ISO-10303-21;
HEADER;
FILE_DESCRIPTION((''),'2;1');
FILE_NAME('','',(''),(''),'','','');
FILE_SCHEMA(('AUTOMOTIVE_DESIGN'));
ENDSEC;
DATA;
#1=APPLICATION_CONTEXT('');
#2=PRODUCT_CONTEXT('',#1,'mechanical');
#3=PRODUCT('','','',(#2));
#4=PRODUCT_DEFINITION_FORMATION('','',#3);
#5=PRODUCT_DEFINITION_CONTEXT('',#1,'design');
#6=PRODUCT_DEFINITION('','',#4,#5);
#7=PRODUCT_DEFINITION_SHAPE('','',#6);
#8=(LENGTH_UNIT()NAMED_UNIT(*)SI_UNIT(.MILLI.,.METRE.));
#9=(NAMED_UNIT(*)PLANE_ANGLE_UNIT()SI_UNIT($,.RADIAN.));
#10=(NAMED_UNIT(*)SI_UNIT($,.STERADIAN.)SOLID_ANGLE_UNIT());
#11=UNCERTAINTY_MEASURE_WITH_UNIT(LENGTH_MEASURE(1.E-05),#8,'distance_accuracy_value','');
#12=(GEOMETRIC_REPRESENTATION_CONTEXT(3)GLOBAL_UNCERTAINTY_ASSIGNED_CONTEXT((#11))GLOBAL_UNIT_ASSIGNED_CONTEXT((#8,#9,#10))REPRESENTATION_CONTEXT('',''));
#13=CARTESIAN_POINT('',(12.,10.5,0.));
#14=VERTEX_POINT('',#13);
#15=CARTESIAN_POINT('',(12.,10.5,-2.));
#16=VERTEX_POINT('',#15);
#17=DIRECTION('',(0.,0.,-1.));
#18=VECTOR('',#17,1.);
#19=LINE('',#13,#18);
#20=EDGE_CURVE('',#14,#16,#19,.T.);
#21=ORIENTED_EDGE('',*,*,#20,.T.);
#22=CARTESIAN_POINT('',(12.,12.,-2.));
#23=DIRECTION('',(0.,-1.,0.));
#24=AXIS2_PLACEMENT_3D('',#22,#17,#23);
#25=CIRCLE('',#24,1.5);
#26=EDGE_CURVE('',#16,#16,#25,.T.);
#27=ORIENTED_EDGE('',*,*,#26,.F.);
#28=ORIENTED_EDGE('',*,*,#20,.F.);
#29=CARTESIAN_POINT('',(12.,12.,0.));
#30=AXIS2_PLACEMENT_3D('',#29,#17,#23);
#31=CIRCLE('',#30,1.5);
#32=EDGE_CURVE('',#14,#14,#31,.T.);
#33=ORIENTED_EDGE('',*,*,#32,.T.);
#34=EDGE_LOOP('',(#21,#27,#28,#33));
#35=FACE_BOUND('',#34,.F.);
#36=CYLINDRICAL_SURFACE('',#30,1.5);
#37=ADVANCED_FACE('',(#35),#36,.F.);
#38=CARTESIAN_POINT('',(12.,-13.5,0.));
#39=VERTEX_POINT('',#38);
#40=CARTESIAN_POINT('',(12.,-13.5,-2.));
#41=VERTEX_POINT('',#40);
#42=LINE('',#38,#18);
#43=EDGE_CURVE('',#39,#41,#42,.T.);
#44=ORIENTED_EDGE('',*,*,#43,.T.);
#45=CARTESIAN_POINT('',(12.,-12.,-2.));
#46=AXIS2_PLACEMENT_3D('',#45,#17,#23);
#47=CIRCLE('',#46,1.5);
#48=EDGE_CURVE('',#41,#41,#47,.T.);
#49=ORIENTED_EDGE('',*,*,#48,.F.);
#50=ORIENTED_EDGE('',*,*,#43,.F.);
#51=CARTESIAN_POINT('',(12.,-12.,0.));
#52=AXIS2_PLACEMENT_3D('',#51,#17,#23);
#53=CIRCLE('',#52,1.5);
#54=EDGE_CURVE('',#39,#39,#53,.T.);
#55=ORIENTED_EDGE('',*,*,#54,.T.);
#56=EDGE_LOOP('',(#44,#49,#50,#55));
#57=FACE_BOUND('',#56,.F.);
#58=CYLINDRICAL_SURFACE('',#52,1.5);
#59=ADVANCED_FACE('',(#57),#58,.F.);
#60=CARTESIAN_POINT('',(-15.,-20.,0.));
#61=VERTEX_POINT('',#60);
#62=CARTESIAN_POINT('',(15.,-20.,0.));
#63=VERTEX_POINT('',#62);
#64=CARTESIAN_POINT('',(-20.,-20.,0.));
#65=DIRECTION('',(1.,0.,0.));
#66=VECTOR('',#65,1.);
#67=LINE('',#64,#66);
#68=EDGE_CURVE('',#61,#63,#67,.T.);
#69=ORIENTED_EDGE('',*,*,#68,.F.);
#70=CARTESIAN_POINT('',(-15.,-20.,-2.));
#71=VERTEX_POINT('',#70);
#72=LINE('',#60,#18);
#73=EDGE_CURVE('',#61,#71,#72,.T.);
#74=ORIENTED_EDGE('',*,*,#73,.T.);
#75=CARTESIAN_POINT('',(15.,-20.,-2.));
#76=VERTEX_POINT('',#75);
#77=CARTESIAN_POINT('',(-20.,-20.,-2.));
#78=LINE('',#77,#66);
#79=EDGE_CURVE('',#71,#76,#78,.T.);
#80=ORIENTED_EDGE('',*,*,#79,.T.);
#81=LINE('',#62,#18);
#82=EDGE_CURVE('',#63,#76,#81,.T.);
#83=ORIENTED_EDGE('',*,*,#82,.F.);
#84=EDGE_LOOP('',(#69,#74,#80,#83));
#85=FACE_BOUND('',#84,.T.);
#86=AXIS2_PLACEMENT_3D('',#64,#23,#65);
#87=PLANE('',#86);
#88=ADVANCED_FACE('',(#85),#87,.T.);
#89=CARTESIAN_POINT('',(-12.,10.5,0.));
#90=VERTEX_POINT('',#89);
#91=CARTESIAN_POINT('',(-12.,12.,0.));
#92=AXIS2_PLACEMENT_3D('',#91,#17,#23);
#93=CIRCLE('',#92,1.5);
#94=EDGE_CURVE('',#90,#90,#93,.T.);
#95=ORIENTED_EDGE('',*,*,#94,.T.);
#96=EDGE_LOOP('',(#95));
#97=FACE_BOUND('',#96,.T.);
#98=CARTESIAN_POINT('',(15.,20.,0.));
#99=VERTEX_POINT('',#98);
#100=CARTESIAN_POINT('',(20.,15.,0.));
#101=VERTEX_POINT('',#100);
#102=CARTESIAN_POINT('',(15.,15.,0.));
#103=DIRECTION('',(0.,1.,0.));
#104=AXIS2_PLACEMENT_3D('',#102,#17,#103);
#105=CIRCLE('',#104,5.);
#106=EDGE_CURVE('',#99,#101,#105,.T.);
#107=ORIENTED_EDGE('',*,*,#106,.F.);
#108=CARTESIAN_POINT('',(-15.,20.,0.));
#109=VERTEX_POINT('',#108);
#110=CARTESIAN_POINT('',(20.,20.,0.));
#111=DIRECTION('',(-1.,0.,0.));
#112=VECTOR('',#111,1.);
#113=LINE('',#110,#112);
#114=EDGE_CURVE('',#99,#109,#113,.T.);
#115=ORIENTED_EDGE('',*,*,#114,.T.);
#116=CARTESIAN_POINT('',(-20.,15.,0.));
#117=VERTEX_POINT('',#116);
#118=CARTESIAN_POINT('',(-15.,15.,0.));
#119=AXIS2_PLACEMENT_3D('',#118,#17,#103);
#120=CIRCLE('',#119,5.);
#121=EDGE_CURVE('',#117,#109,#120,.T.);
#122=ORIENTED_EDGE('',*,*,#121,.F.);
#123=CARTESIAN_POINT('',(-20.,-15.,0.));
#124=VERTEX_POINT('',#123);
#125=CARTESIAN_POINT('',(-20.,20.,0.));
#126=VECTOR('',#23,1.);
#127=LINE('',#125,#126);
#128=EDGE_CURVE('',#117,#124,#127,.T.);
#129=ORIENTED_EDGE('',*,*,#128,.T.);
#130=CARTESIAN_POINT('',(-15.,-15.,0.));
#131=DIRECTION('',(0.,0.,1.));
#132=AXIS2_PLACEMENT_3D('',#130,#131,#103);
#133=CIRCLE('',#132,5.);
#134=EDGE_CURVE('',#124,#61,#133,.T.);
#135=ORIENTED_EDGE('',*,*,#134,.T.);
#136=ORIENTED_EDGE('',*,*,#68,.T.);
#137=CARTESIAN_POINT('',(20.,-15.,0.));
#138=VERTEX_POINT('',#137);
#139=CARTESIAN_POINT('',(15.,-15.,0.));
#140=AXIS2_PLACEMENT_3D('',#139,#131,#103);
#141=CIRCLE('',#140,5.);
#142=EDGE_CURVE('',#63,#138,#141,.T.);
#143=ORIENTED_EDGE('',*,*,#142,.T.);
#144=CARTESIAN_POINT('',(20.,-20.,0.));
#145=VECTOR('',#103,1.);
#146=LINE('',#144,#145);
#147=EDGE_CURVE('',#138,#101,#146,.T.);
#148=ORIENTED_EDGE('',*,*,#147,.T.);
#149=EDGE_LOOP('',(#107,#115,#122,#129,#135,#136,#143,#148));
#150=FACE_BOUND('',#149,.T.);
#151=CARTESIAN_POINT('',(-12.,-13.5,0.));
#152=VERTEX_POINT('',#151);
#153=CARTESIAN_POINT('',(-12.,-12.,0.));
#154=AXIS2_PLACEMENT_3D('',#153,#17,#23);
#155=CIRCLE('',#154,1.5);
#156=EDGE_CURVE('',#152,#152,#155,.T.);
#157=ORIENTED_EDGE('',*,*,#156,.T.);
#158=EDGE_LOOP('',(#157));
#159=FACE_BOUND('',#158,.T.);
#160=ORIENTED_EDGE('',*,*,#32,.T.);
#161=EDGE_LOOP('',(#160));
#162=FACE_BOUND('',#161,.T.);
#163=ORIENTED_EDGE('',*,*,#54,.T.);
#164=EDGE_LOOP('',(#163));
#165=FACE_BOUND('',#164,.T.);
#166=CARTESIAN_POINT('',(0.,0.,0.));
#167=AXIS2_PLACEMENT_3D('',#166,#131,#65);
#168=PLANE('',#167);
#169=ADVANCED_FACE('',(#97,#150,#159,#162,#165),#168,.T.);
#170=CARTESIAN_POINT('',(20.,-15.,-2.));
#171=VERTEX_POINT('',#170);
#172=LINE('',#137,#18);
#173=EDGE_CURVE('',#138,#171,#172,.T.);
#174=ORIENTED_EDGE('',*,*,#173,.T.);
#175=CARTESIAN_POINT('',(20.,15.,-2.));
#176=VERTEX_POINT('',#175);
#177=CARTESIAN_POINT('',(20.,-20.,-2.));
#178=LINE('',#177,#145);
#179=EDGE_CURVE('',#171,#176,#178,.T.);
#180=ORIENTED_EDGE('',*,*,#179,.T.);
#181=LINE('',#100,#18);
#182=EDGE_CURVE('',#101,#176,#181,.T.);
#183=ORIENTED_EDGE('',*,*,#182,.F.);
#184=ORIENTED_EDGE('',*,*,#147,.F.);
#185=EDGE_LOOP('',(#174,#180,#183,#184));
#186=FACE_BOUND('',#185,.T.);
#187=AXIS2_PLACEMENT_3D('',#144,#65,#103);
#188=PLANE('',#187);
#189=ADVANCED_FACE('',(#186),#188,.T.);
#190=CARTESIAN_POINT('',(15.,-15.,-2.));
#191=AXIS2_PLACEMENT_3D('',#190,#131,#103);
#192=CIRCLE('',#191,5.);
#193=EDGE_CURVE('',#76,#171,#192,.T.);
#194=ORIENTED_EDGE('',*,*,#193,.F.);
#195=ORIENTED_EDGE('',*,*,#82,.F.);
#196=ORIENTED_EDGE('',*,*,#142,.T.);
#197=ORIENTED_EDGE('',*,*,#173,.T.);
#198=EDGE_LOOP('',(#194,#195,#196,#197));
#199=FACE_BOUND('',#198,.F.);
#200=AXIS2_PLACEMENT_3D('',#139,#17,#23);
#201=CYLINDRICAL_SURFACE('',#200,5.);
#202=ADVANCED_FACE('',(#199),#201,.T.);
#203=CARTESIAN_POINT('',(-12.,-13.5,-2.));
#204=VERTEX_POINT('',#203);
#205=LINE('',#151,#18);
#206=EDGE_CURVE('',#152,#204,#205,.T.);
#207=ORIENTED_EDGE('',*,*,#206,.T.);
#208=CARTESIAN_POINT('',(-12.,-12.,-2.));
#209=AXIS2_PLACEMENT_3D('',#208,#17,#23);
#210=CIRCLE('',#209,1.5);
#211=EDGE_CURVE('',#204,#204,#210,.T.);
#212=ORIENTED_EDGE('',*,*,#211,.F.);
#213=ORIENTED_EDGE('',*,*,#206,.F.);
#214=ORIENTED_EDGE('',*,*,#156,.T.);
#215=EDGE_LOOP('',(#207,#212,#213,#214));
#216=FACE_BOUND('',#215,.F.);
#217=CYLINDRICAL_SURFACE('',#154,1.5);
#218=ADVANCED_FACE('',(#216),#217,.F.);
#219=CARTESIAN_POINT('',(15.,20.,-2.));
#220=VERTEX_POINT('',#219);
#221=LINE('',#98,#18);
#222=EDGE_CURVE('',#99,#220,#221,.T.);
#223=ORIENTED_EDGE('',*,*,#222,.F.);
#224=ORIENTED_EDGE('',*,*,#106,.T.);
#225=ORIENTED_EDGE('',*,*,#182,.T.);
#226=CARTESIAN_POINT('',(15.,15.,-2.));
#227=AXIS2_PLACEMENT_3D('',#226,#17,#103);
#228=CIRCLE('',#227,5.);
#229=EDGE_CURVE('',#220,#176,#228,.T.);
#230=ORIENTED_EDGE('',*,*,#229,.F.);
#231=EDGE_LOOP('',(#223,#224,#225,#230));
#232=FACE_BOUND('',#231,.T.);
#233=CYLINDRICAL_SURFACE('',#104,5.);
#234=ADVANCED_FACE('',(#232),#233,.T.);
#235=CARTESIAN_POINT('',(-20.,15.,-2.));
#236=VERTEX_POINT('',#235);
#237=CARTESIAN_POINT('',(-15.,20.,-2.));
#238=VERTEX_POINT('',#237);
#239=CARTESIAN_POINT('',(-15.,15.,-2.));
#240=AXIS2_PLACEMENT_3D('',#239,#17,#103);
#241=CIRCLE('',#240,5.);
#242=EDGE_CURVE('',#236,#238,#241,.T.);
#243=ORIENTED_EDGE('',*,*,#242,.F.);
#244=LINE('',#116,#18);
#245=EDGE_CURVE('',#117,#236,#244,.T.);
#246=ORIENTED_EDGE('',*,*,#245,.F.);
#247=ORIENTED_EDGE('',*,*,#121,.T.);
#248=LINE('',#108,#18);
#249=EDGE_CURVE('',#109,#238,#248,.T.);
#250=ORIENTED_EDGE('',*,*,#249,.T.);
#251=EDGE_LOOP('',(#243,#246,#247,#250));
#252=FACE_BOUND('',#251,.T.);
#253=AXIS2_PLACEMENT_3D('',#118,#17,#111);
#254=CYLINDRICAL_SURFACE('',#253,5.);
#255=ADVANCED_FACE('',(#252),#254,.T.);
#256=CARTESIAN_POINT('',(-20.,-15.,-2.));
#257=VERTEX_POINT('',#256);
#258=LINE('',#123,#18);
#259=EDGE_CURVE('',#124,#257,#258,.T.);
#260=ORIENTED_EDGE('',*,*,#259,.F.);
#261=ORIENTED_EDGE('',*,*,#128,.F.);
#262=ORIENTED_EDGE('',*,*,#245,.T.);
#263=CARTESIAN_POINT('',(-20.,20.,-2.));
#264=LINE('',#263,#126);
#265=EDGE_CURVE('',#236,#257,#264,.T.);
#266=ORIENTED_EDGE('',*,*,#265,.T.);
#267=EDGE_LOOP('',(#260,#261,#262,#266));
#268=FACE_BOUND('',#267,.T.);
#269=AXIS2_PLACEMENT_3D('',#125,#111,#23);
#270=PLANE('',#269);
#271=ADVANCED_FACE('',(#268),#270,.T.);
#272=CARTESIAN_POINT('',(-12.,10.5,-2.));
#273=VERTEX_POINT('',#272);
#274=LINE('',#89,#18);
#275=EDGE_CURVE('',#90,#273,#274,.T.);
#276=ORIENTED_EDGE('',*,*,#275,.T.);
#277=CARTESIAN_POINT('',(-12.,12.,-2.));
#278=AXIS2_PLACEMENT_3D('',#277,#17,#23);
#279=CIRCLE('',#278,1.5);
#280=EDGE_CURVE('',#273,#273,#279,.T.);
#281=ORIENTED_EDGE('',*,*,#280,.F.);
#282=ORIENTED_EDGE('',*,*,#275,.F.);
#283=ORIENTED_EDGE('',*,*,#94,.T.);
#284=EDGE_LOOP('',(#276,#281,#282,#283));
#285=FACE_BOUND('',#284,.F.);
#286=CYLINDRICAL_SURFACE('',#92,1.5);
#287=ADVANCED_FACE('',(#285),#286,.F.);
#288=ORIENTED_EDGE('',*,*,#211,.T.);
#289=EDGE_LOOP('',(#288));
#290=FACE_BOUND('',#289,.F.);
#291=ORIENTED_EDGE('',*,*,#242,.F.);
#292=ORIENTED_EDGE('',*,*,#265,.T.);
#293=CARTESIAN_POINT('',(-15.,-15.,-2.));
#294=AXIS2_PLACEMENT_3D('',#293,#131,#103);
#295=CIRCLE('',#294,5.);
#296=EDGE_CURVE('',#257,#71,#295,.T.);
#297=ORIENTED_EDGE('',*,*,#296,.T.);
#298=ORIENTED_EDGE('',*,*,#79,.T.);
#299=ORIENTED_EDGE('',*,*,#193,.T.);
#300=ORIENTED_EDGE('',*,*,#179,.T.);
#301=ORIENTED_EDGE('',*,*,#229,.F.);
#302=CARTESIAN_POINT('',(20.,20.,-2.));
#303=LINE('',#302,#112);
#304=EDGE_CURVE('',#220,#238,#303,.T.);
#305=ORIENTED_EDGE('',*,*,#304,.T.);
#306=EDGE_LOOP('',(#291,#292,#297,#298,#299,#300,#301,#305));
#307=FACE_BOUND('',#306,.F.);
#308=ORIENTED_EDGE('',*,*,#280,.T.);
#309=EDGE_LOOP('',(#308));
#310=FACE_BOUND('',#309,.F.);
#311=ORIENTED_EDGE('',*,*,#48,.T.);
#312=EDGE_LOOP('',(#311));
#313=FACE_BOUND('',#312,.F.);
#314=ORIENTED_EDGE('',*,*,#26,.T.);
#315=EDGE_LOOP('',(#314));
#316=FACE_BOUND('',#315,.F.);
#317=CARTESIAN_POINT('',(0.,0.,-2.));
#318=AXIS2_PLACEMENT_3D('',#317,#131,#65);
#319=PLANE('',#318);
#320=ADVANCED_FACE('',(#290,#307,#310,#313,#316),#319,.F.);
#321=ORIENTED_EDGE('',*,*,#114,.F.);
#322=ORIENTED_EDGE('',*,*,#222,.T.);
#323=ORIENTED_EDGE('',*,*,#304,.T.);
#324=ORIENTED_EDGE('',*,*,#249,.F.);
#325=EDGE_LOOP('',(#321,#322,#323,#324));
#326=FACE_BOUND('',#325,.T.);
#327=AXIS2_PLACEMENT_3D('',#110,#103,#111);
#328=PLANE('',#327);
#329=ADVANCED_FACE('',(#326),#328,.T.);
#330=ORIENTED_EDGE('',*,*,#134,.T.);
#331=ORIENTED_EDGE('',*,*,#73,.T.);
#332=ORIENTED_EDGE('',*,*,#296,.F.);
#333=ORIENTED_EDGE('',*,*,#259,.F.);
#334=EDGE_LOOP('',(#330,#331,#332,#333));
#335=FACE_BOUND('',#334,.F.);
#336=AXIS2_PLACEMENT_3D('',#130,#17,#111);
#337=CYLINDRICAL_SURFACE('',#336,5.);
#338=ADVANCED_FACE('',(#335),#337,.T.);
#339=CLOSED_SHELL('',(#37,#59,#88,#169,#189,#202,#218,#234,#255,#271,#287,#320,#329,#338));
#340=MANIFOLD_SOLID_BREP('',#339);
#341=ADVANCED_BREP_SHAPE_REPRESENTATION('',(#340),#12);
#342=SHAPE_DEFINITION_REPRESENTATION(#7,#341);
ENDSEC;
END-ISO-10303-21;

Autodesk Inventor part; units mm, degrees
ref_plane "YZ Plane" through (0, 0, 0) normal (1, 0, 0) x (0, 1, 0)
ref_plane "XZ Plane" through (0, 0, 0) normal (0, 1, 0) x (-1, 0, 0)
ref_plane "XY Plane" through (0, 0, 0) normal (0, 0, 1) x (1, 0, 0)
sketch "Sketch1" plane through (0, 0, 0) normal (0, 0, 1) x (1, 0, 0)
  line L0 (-20, -20) -> (20, -20)
  line L1 (20, -20) -> (20, 20)
  line L2 (20, 20) -> (-20, 20)
  line L3 (-20, 20) -> (-20, -20)
  line L4 (-20, -20) -> (20, 20) construction
  line L5 (20, -20) -> (-20, 20) construction
  line L6 (-12, -12) -> (12, -12) construction
  line L7 (12, -12) -> (12, 12) construction
  line L8 (12, 12) -> (-12, 12) construction
  line L9 (-12, 12) -> (-12, -12) construction
  line L10 (-12, -12) -> (12, 12) construction
  line L11 (12, -12) -> (-12, 12) construction
  point P0 (0, 0)
  dimension "d0" = 40
  dimension "d1" = 40
  dimension "d2" = 24
  dimension "d3" = 24
extrude "Extrusion1" add sketch "Sketch1" against normal blind 2
hole "Hole1" at (-12, 12, 0) at (12, 12, 0) at (12, -12, 0) at (-12, -12, 0) direction (0, 0, -1) diameter 3 depth 2
fillet "Fillet1" radius 5 4 edges at (20, 20, -1) (20, -20, -1) (-20, -20, -1) (-20, 20, -1)
properties part number "26" material "Gold"
